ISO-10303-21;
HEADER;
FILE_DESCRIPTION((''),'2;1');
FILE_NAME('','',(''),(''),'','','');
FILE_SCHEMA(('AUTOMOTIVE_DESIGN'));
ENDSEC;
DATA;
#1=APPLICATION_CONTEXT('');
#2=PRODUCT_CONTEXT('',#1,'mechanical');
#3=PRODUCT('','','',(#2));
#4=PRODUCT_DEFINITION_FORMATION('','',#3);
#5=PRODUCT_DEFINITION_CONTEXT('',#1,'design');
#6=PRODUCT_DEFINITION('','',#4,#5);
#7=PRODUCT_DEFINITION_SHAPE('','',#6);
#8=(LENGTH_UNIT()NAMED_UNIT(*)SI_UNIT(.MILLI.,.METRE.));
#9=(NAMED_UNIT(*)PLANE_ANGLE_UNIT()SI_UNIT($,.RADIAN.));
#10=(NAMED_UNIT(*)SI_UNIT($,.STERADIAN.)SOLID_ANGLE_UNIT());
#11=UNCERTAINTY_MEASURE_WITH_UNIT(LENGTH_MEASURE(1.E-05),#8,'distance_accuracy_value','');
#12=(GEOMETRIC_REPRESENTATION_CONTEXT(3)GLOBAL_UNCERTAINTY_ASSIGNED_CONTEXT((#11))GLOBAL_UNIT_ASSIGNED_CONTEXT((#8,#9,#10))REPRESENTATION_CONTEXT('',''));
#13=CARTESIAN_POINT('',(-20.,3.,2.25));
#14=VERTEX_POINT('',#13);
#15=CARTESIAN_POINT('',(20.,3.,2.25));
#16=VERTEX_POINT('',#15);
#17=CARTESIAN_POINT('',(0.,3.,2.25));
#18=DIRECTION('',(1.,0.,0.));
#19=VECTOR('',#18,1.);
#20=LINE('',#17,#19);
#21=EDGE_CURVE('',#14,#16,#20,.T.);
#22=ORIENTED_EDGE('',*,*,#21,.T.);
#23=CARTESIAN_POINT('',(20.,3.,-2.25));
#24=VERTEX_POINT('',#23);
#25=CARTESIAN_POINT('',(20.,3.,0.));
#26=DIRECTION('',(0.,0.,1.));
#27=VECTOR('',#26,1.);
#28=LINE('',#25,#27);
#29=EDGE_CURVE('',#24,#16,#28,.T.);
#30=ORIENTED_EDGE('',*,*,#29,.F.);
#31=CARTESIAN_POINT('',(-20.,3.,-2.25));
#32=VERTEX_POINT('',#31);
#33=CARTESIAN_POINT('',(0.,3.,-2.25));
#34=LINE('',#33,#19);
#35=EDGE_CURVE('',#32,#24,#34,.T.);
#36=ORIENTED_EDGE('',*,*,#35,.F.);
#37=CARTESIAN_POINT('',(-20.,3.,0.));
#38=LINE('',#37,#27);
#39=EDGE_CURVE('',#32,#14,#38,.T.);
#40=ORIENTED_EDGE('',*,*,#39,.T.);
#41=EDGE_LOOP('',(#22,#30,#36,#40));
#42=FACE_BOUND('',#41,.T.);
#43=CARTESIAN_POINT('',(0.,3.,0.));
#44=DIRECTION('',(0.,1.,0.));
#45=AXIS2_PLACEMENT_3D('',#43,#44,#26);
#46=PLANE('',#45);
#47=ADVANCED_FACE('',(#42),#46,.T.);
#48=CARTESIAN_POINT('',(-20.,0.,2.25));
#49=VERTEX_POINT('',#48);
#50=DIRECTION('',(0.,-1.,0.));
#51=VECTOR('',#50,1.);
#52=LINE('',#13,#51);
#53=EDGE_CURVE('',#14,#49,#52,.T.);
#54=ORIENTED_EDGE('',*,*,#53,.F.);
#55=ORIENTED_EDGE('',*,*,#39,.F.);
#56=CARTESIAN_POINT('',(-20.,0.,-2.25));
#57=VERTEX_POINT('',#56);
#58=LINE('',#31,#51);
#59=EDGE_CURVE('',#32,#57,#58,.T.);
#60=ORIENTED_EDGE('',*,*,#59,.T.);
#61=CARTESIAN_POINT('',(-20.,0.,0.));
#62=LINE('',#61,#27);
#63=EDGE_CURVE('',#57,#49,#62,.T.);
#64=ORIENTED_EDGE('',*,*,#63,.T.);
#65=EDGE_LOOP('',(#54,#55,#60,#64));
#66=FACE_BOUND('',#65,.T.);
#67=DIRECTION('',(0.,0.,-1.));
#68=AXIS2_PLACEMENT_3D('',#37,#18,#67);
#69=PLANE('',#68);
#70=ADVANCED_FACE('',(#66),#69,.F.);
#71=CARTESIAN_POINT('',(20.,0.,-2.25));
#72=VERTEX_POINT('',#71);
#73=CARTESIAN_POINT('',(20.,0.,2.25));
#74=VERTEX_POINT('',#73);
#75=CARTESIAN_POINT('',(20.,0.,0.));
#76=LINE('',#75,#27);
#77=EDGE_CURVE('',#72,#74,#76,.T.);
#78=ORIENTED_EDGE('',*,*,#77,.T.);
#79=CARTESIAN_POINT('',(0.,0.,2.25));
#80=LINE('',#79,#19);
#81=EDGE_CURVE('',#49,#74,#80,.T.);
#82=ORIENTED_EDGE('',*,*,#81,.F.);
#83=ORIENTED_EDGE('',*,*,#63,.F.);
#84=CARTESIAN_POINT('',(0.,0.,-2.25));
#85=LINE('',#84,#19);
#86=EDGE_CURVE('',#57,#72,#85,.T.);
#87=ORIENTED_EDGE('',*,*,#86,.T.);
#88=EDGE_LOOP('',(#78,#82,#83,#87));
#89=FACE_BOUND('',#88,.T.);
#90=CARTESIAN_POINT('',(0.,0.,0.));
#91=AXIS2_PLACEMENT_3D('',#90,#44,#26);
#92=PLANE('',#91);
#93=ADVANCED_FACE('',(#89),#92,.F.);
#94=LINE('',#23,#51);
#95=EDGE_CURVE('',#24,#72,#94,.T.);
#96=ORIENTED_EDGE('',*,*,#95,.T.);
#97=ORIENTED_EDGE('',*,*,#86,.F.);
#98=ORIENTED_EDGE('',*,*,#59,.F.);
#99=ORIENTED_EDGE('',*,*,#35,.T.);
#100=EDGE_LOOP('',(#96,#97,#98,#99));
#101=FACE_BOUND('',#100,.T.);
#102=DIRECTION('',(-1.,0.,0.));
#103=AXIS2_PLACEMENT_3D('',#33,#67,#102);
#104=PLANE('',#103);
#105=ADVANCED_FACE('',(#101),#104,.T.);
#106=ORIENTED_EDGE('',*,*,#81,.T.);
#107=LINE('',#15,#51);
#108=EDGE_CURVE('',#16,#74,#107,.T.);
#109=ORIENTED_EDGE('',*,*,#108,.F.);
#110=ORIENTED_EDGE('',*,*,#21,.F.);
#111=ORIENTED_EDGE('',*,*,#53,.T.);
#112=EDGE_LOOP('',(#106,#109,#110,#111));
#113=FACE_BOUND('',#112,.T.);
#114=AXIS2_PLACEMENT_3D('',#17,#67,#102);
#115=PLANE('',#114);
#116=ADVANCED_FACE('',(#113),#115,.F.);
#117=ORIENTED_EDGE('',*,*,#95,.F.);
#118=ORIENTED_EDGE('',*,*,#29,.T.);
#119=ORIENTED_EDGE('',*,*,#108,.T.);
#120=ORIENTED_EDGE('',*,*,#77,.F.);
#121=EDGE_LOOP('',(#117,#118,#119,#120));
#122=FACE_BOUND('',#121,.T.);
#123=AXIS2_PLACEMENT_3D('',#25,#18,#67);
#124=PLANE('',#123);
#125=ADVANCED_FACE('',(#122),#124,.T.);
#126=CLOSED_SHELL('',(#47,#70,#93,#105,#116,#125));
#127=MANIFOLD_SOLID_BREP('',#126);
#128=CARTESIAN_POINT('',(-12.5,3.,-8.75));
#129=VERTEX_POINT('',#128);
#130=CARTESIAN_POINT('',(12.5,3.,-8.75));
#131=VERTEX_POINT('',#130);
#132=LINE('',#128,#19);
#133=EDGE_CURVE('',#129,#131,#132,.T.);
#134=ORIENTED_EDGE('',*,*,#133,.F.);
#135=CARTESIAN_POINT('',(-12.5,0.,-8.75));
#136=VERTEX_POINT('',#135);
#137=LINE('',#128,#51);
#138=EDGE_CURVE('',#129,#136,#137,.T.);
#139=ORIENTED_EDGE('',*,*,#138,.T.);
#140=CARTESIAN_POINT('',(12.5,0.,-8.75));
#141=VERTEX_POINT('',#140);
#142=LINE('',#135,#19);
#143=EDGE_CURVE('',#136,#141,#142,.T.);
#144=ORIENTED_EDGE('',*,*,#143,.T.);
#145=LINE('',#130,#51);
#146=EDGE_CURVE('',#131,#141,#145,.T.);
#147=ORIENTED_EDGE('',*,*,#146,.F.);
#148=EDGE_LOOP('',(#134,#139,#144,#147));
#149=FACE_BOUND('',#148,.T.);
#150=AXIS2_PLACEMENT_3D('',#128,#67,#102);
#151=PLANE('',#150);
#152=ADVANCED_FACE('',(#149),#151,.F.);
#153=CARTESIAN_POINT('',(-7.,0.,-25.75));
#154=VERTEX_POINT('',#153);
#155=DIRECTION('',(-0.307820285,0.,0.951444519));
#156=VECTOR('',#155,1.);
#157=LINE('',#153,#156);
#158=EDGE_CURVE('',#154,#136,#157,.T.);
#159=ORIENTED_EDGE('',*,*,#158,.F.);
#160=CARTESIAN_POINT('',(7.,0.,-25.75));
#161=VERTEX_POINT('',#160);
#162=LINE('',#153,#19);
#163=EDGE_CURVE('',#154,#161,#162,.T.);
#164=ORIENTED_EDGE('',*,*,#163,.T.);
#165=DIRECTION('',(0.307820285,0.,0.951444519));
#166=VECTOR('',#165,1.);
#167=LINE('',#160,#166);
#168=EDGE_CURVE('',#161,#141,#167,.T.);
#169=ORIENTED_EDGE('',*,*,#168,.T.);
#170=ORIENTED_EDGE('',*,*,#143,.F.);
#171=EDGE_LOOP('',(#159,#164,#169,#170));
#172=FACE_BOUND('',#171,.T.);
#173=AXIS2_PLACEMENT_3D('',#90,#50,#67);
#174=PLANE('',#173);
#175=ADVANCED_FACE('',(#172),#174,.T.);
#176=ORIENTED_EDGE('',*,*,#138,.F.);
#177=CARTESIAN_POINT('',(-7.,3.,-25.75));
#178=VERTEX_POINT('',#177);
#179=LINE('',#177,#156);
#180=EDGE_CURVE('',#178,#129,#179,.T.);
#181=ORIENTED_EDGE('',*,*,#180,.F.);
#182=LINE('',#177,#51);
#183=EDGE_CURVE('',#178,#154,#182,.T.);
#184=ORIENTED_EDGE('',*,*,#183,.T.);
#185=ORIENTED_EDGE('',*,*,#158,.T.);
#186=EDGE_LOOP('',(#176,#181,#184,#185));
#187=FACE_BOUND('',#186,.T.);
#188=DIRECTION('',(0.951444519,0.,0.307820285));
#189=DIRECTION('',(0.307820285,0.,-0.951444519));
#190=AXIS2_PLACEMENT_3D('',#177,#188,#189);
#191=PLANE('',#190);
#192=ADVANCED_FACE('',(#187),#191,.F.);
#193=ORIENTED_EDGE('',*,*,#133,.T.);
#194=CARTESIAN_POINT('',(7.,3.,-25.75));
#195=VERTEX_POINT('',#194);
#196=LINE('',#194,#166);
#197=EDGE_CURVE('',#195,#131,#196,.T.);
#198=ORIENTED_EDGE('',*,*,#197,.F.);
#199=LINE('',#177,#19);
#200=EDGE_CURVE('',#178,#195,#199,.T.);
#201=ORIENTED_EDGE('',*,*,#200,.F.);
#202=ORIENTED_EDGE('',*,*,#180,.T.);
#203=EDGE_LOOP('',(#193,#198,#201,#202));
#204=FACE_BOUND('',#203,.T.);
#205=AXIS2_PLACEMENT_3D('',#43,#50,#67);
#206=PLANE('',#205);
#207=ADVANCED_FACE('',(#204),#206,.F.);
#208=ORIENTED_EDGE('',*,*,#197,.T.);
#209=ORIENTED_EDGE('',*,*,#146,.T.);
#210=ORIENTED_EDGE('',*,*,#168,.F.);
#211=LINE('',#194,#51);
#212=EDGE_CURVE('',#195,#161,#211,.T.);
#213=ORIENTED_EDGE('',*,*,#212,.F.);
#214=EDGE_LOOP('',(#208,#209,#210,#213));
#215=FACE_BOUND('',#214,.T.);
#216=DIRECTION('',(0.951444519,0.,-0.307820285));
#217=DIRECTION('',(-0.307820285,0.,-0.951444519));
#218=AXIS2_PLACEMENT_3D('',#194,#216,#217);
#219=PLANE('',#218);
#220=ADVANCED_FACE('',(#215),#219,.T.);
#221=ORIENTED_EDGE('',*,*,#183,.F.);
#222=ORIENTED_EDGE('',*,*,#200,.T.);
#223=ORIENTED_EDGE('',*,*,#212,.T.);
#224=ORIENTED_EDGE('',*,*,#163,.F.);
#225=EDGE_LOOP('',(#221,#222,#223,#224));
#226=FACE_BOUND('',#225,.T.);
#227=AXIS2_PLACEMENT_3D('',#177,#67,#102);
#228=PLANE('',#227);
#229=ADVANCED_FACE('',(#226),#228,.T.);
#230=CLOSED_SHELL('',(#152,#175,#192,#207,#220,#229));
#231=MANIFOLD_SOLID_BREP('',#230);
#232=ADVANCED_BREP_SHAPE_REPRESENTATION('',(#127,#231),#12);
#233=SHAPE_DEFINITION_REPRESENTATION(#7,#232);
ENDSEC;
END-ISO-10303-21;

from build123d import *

# Parameters (mm, degrees)
SKETCH1_W             = 40
SKETCH1_H             = 4.5
BOSS_EXTRUDE1_DEPTH   = 3
BOSS_EXTRUDE1_2_DEPTH = 3


with BuildPart() as part:
    # Sketch1 → Boss-Extrude1 (new body)
    with BuildSketch(Plane(origin=(0, 0, 0), x_dir=(1, 0, 0), z_dir=(0, 1, 0))):
        Rectangle(SKETCH1_W, SKETCH1_H)
    extrude(amount=BOSS_EXTRUDE1_DEPTH)


with BuildPart() as body_2:
    # Sketch1 → Boss-Extrude1 2 (new body)
    with BuildSketch(Plane(origin=(0, 0, 0), x_dir=(1, 0, 0), z_dir=(0, 1, 0))):
        Polygon((7, 25.75), (12.5, 8.75), (-12.5, 8.75), (-7, 25.75), align=None)
    extrude(amount=BOSS_EXTRUDE1_2_DEPTH)


solid = Compound([part.part, body_2.part])
